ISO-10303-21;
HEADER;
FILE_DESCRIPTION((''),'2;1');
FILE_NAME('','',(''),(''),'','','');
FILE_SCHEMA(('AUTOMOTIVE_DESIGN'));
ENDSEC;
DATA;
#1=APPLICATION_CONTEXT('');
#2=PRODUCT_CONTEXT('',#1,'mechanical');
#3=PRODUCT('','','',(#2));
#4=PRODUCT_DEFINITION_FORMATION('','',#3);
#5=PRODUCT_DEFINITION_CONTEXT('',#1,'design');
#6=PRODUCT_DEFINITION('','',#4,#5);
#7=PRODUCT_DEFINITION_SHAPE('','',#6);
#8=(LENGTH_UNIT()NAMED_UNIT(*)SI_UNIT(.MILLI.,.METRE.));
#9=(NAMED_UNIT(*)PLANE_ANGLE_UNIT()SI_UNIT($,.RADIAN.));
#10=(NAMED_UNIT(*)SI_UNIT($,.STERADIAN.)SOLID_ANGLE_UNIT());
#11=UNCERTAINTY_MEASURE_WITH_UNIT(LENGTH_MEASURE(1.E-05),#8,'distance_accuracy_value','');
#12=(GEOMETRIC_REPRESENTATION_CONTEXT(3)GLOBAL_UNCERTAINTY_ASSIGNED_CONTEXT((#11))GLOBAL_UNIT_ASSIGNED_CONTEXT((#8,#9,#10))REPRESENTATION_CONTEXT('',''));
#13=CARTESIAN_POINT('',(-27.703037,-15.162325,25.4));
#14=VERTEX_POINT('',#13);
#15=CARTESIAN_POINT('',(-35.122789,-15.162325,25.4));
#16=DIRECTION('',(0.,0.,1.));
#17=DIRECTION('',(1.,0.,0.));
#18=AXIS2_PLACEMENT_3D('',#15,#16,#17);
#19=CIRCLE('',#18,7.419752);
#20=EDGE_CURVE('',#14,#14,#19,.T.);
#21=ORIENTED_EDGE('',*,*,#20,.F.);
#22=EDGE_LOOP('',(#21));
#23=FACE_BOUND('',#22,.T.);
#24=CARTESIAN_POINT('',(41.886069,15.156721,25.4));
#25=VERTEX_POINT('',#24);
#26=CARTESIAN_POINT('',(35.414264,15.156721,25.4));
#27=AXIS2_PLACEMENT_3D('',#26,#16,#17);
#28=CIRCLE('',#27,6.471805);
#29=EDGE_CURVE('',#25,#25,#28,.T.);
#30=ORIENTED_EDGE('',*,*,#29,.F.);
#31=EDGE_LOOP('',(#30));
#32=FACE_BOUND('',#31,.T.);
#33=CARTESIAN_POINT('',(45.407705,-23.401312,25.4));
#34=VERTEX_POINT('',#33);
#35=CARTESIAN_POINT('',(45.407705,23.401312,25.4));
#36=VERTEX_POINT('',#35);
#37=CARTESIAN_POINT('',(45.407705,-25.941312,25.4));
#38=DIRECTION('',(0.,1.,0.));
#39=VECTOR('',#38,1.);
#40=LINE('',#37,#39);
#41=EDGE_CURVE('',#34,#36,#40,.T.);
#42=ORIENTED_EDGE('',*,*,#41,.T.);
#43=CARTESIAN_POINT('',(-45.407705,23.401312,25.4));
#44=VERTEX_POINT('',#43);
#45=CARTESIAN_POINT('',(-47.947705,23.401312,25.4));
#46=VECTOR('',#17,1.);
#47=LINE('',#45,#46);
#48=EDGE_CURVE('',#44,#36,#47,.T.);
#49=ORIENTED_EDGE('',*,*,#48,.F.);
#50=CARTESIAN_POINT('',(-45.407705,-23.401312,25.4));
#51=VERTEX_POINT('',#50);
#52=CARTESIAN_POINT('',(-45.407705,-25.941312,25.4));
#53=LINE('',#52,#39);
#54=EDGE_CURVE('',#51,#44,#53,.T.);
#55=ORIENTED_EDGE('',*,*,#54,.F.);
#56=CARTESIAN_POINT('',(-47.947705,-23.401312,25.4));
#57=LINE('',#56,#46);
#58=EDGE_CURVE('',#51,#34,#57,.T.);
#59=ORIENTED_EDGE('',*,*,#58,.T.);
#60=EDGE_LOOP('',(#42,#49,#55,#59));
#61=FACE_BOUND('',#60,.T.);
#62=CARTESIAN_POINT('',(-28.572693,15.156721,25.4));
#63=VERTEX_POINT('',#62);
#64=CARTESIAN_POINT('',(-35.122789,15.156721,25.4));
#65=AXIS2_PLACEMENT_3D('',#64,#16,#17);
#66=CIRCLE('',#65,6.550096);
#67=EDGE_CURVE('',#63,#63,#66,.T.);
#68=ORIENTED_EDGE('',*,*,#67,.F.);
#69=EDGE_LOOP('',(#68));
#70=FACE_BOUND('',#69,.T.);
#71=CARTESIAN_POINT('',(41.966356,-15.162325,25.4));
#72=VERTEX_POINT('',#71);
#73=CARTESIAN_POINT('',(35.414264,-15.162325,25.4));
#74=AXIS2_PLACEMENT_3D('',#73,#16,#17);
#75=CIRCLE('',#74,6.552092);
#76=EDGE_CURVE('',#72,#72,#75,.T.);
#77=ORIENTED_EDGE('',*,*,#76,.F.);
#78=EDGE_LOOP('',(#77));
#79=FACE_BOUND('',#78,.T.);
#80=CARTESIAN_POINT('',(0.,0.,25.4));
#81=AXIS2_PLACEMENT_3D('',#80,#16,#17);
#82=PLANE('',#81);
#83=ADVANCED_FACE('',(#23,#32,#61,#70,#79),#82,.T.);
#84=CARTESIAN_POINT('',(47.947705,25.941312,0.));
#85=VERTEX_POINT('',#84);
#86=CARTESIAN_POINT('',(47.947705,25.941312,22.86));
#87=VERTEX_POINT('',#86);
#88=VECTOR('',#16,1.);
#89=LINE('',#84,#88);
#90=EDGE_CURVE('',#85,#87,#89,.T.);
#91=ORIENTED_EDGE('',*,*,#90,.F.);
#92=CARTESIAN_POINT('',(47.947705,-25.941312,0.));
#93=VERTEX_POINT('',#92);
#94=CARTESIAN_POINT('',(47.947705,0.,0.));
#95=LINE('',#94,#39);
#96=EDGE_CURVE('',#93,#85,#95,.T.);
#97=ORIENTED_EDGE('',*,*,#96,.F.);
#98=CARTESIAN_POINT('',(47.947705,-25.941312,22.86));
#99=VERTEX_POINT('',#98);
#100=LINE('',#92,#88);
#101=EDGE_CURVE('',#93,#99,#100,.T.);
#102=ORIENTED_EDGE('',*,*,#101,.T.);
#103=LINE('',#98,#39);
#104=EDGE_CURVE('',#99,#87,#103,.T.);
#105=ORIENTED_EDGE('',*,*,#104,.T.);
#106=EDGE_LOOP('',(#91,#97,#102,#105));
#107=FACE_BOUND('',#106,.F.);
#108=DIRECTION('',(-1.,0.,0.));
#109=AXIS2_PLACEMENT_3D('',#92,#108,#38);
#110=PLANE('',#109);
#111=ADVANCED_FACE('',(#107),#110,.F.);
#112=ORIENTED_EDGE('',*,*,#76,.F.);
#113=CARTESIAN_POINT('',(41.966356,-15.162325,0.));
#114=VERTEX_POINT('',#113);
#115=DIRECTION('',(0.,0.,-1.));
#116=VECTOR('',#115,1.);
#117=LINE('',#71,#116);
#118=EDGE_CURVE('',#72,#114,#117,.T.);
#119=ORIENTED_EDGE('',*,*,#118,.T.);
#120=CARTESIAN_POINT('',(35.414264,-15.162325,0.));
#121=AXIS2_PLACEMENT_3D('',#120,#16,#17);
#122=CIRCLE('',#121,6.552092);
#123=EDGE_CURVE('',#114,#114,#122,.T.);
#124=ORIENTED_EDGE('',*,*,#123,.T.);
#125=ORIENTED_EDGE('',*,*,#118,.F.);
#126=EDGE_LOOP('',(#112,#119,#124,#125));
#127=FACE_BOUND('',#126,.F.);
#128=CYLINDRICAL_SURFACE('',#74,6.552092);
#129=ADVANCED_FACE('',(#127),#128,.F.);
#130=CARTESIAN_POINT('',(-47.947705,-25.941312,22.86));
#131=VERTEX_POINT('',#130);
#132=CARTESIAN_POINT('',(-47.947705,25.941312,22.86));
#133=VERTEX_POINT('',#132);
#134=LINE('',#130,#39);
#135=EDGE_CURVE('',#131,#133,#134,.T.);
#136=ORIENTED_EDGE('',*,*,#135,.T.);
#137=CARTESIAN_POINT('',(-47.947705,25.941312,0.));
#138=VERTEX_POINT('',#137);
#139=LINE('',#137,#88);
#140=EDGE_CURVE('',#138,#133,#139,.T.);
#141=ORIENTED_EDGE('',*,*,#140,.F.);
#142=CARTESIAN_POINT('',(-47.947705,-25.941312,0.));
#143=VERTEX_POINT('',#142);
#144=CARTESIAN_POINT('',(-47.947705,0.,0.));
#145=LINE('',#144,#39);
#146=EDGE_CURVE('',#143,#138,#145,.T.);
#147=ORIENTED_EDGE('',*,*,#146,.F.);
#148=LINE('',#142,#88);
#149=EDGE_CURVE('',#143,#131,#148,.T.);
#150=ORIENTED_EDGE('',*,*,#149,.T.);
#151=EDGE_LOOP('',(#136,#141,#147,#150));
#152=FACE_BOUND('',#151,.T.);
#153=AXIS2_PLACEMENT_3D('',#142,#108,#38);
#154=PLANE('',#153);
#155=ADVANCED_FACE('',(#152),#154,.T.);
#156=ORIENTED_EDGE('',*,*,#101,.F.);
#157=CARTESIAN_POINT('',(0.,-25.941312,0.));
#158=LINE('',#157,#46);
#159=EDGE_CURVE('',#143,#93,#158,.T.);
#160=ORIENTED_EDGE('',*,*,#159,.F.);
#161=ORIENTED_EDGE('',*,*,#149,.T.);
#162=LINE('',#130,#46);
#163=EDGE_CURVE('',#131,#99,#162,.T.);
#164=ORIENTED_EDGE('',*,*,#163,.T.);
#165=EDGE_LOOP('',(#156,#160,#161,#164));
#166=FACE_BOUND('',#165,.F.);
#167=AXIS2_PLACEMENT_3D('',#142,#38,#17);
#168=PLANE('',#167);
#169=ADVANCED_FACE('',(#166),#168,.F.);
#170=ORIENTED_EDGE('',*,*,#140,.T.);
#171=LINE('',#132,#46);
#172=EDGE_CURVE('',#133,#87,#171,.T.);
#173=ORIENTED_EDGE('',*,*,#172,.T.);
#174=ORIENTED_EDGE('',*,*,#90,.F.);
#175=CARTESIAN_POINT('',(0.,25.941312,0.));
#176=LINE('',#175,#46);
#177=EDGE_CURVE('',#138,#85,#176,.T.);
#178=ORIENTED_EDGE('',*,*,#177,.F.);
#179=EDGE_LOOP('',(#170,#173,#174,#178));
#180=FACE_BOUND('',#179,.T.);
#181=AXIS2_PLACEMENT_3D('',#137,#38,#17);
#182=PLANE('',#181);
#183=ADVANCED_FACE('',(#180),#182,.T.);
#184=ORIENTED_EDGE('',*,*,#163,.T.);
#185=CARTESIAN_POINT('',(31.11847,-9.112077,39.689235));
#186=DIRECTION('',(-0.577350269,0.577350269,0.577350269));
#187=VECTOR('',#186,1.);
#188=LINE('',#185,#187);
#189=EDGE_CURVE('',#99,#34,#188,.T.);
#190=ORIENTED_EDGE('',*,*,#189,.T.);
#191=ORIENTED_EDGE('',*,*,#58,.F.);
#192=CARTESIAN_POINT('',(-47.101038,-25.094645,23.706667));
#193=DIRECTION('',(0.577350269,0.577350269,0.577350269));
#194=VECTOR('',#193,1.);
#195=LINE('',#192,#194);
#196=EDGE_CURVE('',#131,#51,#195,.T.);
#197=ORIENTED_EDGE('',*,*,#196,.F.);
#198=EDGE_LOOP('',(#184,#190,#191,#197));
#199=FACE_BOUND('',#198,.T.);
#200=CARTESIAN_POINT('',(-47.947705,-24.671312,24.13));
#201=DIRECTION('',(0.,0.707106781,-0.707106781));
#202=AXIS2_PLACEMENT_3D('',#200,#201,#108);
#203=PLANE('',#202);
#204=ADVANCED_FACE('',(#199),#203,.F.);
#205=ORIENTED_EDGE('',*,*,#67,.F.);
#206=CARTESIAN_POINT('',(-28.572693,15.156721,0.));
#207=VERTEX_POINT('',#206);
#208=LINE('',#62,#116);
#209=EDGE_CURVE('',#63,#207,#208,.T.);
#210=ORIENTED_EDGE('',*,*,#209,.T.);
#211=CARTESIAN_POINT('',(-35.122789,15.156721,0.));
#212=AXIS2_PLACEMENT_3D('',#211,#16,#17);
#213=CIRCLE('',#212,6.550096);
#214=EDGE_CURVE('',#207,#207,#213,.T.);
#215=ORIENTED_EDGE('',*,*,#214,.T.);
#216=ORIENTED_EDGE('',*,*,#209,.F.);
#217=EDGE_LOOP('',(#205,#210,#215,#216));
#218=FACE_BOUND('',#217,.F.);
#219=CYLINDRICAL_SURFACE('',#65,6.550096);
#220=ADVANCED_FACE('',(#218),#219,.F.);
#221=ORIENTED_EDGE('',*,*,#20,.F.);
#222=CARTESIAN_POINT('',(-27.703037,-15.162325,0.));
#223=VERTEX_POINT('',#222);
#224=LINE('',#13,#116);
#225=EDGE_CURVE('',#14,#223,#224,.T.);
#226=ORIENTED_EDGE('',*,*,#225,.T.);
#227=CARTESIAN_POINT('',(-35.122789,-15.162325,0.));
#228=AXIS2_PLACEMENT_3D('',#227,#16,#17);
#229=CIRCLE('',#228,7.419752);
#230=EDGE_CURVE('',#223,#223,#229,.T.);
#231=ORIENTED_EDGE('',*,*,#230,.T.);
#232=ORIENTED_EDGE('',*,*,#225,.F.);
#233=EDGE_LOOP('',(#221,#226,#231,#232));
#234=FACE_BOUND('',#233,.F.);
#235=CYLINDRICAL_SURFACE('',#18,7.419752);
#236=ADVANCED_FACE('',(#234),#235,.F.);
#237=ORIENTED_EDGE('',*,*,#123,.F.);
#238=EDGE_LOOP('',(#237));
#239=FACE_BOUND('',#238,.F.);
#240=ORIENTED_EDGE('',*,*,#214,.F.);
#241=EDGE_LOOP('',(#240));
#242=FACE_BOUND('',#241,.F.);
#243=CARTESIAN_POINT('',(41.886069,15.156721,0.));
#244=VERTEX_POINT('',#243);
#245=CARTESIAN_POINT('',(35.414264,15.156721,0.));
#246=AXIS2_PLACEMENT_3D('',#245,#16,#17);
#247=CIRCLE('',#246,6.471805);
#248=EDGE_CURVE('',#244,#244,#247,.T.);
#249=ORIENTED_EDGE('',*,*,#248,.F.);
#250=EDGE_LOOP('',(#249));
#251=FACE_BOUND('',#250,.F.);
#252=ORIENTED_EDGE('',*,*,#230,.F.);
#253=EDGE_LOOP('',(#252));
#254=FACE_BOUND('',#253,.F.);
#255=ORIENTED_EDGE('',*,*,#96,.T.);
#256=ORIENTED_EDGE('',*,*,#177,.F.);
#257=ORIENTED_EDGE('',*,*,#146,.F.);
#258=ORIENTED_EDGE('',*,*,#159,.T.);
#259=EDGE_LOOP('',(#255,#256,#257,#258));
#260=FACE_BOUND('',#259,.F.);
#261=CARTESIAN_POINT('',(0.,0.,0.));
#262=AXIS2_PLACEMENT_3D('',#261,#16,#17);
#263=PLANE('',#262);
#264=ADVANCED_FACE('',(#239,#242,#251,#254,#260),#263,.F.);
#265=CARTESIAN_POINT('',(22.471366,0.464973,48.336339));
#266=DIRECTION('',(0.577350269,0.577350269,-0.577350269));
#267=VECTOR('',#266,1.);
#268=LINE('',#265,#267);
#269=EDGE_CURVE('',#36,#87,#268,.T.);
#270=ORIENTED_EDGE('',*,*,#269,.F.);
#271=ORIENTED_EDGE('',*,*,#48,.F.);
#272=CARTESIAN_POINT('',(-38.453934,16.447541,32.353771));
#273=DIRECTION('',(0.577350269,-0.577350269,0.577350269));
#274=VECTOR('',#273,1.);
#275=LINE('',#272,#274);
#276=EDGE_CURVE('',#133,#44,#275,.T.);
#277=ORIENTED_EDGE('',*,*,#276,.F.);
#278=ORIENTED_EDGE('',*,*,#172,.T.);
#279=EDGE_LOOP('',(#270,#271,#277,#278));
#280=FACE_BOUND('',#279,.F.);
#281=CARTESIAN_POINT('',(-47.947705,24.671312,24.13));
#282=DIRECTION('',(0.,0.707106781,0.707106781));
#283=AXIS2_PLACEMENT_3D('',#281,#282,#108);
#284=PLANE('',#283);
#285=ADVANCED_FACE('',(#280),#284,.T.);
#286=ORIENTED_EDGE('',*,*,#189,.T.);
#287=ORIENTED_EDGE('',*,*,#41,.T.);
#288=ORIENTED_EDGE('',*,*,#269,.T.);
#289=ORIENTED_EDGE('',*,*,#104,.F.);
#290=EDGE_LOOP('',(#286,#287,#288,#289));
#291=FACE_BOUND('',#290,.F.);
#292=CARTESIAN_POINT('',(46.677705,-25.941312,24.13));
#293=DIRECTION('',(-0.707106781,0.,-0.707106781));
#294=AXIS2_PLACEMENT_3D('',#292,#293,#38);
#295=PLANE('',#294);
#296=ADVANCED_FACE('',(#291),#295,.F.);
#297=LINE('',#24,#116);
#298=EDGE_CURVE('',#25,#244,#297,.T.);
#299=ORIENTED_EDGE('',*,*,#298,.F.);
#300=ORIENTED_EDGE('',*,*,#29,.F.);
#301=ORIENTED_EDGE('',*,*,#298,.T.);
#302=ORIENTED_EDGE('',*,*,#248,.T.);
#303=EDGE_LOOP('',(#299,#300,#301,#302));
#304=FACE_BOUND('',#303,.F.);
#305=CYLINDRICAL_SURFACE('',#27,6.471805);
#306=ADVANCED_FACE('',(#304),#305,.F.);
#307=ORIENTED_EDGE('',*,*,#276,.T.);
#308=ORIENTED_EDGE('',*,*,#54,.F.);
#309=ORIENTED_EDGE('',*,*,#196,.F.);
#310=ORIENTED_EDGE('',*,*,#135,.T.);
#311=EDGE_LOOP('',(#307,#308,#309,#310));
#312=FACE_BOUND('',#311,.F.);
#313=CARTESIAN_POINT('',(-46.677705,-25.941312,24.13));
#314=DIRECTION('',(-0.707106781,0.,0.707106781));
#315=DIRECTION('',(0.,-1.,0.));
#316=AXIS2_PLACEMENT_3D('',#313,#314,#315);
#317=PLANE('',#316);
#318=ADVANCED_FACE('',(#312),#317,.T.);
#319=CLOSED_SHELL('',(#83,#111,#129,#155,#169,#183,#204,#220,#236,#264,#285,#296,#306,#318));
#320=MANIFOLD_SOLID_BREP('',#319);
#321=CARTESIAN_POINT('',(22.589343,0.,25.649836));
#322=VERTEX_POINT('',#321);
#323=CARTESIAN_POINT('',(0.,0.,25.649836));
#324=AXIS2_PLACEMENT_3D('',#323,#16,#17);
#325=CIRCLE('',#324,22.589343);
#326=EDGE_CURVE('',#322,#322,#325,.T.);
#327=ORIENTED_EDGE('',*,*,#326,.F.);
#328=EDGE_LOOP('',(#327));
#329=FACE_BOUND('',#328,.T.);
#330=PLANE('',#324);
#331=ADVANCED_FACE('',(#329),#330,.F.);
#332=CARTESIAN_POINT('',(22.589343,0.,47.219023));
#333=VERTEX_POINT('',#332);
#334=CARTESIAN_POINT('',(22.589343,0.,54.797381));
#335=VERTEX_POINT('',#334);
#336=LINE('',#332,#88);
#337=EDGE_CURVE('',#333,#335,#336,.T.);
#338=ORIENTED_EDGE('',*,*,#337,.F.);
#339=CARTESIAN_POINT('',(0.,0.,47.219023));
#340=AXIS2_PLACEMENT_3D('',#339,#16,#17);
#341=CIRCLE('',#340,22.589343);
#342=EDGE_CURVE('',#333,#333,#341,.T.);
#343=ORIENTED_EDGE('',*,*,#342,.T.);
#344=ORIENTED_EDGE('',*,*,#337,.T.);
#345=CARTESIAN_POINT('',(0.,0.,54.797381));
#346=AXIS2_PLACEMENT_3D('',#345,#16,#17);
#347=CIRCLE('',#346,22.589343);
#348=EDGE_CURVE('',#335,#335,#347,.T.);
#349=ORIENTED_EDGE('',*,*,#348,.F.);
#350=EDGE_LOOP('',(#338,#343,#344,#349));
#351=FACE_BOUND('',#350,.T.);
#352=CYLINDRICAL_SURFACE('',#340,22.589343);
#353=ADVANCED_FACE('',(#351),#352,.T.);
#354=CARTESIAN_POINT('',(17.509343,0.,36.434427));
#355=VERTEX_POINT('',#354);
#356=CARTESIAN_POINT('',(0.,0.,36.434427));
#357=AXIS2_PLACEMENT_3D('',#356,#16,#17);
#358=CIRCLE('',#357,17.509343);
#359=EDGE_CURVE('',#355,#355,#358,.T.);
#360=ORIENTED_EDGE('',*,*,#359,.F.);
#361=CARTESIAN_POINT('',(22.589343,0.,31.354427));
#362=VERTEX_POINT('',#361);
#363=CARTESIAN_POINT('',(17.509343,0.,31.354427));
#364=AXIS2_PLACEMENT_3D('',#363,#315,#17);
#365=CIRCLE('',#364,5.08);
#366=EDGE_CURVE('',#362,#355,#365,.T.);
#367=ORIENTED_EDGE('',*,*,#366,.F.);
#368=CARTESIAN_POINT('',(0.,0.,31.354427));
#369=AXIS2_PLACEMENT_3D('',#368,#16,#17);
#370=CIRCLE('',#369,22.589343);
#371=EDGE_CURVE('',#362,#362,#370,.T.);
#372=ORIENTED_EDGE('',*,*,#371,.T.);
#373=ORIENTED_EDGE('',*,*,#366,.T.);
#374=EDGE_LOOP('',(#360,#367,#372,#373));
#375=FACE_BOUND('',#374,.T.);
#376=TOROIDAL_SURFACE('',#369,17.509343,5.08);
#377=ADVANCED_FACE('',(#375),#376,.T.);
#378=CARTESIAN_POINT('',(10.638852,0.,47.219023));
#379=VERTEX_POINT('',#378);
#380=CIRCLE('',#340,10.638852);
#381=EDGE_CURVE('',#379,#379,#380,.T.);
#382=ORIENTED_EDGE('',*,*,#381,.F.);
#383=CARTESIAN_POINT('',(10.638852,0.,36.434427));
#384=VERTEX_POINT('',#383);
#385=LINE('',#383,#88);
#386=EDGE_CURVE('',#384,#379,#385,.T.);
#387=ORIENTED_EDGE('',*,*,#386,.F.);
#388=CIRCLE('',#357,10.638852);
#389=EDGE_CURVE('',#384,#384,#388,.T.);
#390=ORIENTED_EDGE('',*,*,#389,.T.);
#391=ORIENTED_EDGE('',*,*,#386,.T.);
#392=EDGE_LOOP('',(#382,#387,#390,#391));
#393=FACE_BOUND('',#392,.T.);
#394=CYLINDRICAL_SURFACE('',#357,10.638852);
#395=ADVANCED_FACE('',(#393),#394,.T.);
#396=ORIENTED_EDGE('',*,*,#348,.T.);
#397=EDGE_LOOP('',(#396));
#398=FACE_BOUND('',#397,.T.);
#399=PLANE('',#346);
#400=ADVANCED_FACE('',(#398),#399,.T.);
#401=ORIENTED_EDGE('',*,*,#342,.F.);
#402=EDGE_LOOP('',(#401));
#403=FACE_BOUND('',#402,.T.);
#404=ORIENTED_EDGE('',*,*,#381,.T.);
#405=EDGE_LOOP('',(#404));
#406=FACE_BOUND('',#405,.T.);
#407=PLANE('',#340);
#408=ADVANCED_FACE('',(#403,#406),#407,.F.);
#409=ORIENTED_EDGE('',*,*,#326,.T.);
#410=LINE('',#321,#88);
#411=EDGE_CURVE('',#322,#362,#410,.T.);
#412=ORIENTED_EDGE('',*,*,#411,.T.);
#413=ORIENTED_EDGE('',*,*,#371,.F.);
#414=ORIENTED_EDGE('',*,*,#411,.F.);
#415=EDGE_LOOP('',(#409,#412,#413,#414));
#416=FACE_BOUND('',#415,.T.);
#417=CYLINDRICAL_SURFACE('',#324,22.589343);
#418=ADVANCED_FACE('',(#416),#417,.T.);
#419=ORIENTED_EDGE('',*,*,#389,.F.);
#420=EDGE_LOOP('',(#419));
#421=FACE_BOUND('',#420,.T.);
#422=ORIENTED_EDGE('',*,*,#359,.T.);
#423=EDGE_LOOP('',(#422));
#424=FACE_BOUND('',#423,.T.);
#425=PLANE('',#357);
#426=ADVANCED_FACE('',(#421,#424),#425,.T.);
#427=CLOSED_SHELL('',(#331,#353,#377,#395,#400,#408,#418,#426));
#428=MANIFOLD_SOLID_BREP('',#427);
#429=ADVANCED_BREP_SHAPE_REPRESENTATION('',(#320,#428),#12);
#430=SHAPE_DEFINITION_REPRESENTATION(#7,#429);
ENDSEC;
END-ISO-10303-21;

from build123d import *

# Parameters (mm, degrees)
F0_W     = 95.89541
F0_H     = 51.882624
F1_DEPTH = 25.4
F2_R     = 6.550096
F2_R_2   = 6.471805
F2_R_3   = 6.552092
F2_R_4   = 7.419752
F3_DEPTH = 25.4
F5_SIZE  = 2.54
F7_R     = 5.08


with BuildPart() as f1:
    # F0 (on Top) → F1 (new body)
    with BuildSketch(Plane.XY):
        Rectangle(F0_W, F0_H)
    extrude(amount=F1_DEPTH)

    # F2 (on face) → F3 (cut)
    with BuildSketch(Plane.XY.offset(25.4)):
        with Locations((-35.122789, 15.156721)):
            Circle(F2_R)
        with Locations((35.414264, 15.156721)):
            Circle(F2_R_2)
        with Locations((35.414264, -15.162325)):
            Circle(F2_R_3)
        with Locations((-35.122789, -15.162325)):
            Circle(F2_R_4)
    extrude(amount=-F3_DEPTH, mode=Mode.SUBTRACT)

    # F5
    f5_edges = [f1.edges().sort_by_distance(p)[0] for p in [
        (0, -25.941312, 25.4),
        (-47.947705, 0, 25.4),
        (47.947705, 0, 25.4),
        (0, 25.941312, 25.4),
    ]]
    chamfer(f5_edges, length=F5_SIZE)


with BuildPart() as f6:
    # F4 (on Front) → F6 (revolve)
    with BuildSketch(Plane.XZ):
        Polygon((0, 54.797381), (0, 25.649836), (22.589343, 25.649836), (22.589343, 36.434427), (10.638852, 36.434427), (10.638852, 47.219023), (22.589343, 47.219023), (22.589343, 54.797381), align=None)
    revolve(axis=Axis((0, 0, 27.398691), (0, 0, 1)))

    # F7
    f7_edges = [f6.edges().sort_by_distance(p)[0] for p in [
        (-22.589343, 0, 36.434427),
    ]]
    fillet(f7_edges, radius=F7_R)


solid = Compound([f1.part, f6.part])
